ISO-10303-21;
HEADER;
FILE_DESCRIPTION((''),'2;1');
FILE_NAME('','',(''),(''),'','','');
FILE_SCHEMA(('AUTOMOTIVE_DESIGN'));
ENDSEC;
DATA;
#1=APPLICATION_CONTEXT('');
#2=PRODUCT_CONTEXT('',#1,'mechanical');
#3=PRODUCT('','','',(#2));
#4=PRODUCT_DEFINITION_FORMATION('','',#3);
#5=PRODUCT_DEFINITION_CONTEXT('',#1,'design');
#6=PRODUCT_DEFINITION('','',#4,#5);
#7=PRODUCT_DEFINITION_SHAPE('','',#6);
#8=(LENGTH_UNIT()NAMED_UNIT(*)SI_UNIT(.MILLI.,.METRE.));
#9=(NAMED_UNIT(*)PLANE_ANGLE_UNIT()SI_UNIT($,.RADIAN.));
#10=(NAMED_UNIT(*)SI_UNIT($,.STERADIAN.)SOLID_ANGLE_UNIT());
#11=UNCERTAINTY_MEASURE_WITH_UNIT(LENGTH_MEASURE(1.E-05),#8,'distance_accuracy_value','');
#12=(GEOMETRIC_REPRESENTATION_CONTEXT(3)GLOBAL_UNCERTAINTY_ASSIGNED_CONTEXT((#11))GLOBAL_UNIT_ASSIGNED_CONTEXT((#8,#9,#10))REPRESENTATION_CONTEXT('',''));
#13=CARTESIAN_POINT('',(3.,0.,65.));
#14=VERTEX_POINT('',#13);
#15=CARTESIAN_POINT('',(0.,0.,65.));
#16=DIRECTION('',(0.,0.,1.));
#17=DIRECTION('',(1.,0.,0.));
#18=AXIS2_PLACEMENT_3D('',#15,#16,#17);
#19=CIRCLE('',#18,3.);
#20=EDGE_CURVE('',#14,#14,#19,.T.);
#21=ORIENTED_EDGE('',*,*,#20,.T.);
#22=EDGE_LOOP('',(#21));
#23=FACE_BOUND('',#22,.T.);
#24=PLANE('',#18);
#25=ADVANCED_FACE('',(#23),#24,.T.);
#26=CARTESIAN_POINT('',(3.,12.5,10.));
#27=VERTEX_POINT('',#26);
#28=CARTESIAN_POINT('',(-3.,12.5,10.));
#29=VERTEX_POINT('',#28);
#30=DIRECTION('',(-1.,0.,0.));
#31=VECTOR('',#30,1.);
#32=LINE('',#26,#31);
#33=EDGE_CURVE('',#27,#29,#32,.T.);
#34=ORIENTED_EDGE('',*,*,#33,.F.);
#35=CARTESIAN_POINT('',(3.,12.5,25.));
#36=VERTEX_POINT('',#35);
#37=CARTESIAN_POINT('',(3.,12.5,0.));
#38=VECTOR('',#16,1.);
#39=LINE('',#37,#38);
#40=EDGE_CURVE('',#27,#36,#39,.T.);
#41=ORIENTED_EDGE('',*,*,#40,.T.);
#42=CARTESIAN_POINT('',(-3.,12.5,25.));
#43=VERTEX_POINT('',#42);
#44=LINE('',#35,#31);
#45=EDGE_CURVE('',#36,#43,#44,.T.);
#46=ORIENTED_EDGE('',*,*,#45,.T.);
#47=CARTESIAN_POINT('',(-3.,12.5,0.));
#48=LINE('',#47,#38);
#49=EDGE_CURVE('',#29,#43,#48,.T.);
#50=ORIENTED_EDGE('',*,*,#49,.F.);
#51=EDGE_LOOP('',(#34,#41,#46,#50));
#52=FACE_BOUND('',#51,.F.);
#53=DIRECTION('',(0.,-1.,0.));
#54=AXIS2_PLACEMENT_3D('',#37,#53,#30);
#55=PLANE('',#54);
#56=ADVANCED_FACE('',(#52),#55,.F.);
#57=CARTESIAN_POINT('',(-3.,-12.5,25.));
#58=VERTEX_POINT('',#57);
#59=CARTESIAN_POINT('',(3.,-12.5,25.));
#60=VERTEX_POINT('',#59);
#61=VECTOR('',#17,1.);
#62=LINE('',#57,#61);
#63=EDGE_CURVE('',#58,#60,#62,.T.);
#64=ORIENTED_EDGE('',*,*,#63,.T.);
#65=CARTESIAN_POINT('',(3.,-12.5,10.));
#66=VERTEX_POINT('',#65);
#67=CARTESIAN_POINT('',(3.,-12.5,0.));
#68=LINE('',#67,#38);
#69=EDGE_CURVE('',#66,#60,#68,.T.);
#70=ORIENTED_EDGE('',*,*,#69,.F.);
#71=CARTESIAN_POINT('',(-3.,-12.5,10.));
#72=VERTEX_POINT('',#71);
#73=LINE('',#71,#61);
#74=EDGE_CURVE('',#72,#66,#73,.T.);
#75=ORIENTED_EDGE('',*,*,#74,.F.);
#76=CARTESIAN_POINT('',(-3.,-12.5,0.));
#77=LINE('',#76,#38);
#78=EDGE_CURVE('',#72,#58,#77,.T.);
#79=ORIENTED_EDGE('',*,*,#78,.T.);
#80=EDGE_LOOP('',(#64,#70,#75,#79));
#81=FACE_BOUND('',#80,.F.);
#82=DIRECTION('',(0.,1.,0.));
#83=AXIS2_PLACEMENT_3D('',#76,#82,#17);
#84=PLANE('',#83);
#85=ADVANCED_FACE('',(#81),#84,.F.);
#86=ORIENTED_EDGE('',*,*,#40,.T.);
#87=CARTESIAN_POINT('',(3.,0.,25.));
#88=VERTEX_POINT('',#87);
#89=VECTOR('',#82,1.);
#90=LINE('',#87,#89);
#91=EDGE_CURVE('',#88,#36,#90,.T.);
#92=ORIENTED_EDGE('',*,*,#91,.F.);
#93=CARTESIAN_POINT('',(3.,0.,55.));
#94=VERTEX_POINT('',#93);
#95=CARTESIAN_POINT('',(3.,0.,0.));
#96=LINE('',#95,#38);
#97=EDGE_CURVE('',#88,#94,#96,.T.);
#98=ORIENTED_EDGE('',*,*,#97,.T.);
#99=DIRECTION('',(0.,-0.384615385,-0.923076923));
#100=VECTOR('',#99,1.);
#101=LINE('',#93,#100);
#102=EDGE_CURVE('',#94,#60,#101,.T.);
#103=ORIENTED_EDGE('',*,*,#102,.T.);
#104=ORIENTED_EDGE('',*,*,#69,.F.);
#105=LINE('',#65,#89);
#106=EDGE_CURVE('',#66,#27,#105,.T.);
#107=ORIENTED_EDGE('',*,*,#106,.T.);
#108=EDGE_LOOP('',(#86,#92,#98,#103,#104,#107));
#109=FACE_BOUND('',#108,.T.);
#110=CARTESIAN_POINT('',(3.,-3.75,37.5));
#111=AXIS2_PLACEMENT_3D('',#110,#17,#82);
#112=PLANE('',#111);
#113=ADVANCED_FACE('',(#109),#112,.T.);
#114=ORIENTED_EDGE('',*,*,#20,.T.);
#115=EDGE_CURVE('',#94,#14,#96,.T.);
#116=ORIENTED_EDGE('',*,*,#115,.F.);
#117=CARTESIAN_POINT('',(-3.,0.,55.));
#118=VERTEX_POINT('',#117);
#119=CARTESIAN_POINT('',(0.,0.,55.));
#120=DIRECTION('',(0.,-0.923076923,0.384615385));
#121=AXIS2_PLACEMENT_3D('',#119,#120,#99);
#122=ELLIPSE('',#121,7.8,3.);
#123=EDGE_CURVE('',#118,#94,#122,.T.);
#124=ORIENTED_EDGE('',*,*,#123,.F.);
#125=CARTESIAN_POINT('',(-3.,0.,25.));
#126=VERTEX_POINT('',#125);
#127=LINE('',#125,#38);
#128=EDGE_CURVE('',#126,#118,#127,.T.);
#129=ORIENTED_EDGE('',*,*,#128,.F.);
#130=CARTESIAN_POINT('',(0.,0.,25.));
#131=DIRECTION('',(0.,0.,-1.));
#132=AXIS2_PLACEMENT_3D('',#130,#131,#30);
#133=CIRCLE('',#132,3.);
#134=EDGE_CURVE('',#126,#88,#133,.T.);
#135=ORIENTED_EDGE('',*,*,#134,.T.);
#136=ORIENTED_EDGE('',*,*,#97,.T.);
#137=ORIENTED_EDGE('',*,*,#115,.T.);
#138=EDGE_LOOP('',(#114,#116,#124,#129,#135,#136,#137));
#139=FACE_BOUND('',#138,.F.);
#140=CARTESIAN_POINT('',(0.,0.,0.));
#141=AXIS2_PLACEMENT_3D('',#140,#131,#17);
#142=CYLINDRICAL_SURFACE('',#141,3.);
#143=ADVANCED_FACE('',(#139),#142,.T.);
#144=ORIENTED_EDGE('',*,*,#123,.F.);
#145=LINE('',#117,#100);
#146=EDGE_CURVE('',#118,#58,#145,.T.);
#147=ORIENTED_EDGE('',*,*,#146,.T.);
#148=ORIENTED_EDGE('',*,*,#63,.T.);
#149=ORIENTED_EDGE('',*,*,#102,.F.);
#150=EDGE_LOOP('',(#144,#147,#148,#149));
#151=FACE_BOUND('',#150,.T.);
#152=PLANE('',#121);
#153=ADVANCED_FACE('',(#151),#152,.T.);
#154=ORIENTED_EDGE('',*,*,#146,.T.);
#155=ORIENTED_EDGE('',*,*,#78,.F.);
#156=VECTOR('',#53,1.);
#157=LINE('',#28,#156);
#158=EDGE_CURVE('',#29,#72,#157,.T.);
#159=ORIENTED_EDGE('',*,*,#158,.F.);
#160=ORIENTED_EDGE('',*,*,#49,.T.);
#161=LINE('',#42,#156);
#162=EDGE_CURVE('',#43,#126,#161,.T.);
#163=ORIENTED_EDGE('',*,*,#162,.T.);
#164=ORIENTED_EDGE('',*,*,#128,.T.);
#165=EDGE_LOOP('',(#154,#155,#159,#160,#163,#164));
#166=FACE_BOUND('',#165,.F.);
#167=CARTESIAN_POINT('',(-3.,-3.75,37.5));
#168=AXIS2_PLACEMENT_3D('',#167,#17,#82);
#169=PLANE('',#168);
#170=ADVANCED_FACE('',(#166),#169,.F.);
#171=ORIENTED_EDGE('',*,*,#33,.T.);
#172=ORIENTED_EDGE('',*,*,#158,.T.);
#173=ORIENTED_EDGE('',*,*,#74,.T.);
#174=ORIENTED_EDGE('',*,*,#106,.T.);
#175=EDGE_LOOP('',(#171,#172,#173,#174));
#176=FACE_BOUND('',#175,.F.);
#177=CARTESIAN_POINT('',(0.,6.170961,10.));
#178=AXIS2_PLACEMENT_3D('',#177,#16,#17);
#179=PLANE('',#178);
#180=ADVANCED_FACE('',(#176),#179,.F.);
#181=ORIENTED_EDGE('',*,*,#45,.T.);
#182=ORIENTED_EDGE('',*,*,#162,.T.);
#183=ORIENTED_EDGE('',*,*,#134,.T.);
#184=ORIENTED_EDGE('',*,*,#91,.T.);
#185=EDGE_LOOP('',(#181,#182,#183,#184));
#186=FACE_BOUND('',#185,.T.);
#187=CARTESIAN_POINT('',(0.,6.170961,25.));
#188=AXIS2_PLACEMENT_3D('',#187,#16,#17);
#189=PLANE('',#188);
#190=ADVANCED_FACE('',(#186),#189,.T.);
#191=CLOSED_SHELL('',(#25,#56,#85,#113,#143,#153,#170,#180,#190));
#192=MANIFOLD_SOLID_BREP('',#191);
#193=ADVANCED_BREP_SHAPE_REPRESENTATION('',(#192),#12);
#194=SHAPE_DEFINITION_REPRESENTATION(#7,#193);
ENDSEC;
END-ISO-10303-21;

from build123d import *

# Parameters (mm, degrees)
F1_DEPTH = 25
F2_DEPTH = 65
F4_DEPTH = 3
F5_DEPTH = 10


with BuildPart() as f1:
    # F0 (on Top) → F1 (new body)
    with BuildSketch(Plane.XY):
        with BuildLine():
            ThreePointArc((-3, 0), (0, 3), (3, 0))
            Line((3, 0), (3, 12.5))
            Line((3, 12.5), (-3, 12.5))
            Line((-3, 12.5), (-3, 0))
        make_face()
    extrude(amount=F1_DEPTH)



with BuildPart() as f1b:
    # F0 (on Top) → F1, piece 2 (new body)
    with BuildSketch(Plane.XY):
        with BuildLine():
            Line((3, -12.5), (3, 0))
            ThreePointArc((3, 0), (0, -3), (-3, 0))
            Line((-3, 0), (-3, -12.5))
            Line((-3, -12.5), (3, -12.5))
        make_face()
    extrude(amount=F1_DEPTH)


with BuildPart() as f1_1:
    add(f1.part)

    add(f1b.part)  # F2 merges F1b
    # F0 (on Top) → F2 (join)
    with BuildSketch(Plane.XY):
        with BuildLine():
            ThreePointArc((-3, 0), (0, -3), (3, 0))
            ThreePointArc((3, 0), (0, 3), (-3, 0))
        make_face()
    extrude(amount=F2_DEPTH)

    # F3 (on Right) → F4 (join, symmetric)
    with BuildSketch(Plane.YZ):
        Polygon((-12.5, 25), (0, 25), (0, 55), align=None)
    extrude(amount=F4_DEPTH, both=True)

    # F0 (on Top) → F5 (cut)
    with BuildSketch(Plane.XY):
        with BuildLine():
            ThreePointArc((-3, 0), (0, 3), (3, 0))
            Line((3, 0), (3, 12.5))
            Line((3, 12.5), (-3, 12.5))
            Line((-3, 12.5), (-3, 0))
        make_face()
        with BuildLine():
            ThreePointArc((-3, 0), (0, -3), (3, 0))
            ThreePointArc((3, 0), (0, 3), (-3, 0))
        make_face()
        with BuildLine():
            Line((3, -12.5), (3, 0))
            ThreePointArc((3, 0), (0, -3), (-3, 0))
            Line((-3, 0), (-3, -12.5))
            Line((-3, -12.5), (3, -12.5))
        make_face()
    extrude(amount=F5_DEPTH, mode=Mode.SUBTRACT)


solid = f1_1.part
